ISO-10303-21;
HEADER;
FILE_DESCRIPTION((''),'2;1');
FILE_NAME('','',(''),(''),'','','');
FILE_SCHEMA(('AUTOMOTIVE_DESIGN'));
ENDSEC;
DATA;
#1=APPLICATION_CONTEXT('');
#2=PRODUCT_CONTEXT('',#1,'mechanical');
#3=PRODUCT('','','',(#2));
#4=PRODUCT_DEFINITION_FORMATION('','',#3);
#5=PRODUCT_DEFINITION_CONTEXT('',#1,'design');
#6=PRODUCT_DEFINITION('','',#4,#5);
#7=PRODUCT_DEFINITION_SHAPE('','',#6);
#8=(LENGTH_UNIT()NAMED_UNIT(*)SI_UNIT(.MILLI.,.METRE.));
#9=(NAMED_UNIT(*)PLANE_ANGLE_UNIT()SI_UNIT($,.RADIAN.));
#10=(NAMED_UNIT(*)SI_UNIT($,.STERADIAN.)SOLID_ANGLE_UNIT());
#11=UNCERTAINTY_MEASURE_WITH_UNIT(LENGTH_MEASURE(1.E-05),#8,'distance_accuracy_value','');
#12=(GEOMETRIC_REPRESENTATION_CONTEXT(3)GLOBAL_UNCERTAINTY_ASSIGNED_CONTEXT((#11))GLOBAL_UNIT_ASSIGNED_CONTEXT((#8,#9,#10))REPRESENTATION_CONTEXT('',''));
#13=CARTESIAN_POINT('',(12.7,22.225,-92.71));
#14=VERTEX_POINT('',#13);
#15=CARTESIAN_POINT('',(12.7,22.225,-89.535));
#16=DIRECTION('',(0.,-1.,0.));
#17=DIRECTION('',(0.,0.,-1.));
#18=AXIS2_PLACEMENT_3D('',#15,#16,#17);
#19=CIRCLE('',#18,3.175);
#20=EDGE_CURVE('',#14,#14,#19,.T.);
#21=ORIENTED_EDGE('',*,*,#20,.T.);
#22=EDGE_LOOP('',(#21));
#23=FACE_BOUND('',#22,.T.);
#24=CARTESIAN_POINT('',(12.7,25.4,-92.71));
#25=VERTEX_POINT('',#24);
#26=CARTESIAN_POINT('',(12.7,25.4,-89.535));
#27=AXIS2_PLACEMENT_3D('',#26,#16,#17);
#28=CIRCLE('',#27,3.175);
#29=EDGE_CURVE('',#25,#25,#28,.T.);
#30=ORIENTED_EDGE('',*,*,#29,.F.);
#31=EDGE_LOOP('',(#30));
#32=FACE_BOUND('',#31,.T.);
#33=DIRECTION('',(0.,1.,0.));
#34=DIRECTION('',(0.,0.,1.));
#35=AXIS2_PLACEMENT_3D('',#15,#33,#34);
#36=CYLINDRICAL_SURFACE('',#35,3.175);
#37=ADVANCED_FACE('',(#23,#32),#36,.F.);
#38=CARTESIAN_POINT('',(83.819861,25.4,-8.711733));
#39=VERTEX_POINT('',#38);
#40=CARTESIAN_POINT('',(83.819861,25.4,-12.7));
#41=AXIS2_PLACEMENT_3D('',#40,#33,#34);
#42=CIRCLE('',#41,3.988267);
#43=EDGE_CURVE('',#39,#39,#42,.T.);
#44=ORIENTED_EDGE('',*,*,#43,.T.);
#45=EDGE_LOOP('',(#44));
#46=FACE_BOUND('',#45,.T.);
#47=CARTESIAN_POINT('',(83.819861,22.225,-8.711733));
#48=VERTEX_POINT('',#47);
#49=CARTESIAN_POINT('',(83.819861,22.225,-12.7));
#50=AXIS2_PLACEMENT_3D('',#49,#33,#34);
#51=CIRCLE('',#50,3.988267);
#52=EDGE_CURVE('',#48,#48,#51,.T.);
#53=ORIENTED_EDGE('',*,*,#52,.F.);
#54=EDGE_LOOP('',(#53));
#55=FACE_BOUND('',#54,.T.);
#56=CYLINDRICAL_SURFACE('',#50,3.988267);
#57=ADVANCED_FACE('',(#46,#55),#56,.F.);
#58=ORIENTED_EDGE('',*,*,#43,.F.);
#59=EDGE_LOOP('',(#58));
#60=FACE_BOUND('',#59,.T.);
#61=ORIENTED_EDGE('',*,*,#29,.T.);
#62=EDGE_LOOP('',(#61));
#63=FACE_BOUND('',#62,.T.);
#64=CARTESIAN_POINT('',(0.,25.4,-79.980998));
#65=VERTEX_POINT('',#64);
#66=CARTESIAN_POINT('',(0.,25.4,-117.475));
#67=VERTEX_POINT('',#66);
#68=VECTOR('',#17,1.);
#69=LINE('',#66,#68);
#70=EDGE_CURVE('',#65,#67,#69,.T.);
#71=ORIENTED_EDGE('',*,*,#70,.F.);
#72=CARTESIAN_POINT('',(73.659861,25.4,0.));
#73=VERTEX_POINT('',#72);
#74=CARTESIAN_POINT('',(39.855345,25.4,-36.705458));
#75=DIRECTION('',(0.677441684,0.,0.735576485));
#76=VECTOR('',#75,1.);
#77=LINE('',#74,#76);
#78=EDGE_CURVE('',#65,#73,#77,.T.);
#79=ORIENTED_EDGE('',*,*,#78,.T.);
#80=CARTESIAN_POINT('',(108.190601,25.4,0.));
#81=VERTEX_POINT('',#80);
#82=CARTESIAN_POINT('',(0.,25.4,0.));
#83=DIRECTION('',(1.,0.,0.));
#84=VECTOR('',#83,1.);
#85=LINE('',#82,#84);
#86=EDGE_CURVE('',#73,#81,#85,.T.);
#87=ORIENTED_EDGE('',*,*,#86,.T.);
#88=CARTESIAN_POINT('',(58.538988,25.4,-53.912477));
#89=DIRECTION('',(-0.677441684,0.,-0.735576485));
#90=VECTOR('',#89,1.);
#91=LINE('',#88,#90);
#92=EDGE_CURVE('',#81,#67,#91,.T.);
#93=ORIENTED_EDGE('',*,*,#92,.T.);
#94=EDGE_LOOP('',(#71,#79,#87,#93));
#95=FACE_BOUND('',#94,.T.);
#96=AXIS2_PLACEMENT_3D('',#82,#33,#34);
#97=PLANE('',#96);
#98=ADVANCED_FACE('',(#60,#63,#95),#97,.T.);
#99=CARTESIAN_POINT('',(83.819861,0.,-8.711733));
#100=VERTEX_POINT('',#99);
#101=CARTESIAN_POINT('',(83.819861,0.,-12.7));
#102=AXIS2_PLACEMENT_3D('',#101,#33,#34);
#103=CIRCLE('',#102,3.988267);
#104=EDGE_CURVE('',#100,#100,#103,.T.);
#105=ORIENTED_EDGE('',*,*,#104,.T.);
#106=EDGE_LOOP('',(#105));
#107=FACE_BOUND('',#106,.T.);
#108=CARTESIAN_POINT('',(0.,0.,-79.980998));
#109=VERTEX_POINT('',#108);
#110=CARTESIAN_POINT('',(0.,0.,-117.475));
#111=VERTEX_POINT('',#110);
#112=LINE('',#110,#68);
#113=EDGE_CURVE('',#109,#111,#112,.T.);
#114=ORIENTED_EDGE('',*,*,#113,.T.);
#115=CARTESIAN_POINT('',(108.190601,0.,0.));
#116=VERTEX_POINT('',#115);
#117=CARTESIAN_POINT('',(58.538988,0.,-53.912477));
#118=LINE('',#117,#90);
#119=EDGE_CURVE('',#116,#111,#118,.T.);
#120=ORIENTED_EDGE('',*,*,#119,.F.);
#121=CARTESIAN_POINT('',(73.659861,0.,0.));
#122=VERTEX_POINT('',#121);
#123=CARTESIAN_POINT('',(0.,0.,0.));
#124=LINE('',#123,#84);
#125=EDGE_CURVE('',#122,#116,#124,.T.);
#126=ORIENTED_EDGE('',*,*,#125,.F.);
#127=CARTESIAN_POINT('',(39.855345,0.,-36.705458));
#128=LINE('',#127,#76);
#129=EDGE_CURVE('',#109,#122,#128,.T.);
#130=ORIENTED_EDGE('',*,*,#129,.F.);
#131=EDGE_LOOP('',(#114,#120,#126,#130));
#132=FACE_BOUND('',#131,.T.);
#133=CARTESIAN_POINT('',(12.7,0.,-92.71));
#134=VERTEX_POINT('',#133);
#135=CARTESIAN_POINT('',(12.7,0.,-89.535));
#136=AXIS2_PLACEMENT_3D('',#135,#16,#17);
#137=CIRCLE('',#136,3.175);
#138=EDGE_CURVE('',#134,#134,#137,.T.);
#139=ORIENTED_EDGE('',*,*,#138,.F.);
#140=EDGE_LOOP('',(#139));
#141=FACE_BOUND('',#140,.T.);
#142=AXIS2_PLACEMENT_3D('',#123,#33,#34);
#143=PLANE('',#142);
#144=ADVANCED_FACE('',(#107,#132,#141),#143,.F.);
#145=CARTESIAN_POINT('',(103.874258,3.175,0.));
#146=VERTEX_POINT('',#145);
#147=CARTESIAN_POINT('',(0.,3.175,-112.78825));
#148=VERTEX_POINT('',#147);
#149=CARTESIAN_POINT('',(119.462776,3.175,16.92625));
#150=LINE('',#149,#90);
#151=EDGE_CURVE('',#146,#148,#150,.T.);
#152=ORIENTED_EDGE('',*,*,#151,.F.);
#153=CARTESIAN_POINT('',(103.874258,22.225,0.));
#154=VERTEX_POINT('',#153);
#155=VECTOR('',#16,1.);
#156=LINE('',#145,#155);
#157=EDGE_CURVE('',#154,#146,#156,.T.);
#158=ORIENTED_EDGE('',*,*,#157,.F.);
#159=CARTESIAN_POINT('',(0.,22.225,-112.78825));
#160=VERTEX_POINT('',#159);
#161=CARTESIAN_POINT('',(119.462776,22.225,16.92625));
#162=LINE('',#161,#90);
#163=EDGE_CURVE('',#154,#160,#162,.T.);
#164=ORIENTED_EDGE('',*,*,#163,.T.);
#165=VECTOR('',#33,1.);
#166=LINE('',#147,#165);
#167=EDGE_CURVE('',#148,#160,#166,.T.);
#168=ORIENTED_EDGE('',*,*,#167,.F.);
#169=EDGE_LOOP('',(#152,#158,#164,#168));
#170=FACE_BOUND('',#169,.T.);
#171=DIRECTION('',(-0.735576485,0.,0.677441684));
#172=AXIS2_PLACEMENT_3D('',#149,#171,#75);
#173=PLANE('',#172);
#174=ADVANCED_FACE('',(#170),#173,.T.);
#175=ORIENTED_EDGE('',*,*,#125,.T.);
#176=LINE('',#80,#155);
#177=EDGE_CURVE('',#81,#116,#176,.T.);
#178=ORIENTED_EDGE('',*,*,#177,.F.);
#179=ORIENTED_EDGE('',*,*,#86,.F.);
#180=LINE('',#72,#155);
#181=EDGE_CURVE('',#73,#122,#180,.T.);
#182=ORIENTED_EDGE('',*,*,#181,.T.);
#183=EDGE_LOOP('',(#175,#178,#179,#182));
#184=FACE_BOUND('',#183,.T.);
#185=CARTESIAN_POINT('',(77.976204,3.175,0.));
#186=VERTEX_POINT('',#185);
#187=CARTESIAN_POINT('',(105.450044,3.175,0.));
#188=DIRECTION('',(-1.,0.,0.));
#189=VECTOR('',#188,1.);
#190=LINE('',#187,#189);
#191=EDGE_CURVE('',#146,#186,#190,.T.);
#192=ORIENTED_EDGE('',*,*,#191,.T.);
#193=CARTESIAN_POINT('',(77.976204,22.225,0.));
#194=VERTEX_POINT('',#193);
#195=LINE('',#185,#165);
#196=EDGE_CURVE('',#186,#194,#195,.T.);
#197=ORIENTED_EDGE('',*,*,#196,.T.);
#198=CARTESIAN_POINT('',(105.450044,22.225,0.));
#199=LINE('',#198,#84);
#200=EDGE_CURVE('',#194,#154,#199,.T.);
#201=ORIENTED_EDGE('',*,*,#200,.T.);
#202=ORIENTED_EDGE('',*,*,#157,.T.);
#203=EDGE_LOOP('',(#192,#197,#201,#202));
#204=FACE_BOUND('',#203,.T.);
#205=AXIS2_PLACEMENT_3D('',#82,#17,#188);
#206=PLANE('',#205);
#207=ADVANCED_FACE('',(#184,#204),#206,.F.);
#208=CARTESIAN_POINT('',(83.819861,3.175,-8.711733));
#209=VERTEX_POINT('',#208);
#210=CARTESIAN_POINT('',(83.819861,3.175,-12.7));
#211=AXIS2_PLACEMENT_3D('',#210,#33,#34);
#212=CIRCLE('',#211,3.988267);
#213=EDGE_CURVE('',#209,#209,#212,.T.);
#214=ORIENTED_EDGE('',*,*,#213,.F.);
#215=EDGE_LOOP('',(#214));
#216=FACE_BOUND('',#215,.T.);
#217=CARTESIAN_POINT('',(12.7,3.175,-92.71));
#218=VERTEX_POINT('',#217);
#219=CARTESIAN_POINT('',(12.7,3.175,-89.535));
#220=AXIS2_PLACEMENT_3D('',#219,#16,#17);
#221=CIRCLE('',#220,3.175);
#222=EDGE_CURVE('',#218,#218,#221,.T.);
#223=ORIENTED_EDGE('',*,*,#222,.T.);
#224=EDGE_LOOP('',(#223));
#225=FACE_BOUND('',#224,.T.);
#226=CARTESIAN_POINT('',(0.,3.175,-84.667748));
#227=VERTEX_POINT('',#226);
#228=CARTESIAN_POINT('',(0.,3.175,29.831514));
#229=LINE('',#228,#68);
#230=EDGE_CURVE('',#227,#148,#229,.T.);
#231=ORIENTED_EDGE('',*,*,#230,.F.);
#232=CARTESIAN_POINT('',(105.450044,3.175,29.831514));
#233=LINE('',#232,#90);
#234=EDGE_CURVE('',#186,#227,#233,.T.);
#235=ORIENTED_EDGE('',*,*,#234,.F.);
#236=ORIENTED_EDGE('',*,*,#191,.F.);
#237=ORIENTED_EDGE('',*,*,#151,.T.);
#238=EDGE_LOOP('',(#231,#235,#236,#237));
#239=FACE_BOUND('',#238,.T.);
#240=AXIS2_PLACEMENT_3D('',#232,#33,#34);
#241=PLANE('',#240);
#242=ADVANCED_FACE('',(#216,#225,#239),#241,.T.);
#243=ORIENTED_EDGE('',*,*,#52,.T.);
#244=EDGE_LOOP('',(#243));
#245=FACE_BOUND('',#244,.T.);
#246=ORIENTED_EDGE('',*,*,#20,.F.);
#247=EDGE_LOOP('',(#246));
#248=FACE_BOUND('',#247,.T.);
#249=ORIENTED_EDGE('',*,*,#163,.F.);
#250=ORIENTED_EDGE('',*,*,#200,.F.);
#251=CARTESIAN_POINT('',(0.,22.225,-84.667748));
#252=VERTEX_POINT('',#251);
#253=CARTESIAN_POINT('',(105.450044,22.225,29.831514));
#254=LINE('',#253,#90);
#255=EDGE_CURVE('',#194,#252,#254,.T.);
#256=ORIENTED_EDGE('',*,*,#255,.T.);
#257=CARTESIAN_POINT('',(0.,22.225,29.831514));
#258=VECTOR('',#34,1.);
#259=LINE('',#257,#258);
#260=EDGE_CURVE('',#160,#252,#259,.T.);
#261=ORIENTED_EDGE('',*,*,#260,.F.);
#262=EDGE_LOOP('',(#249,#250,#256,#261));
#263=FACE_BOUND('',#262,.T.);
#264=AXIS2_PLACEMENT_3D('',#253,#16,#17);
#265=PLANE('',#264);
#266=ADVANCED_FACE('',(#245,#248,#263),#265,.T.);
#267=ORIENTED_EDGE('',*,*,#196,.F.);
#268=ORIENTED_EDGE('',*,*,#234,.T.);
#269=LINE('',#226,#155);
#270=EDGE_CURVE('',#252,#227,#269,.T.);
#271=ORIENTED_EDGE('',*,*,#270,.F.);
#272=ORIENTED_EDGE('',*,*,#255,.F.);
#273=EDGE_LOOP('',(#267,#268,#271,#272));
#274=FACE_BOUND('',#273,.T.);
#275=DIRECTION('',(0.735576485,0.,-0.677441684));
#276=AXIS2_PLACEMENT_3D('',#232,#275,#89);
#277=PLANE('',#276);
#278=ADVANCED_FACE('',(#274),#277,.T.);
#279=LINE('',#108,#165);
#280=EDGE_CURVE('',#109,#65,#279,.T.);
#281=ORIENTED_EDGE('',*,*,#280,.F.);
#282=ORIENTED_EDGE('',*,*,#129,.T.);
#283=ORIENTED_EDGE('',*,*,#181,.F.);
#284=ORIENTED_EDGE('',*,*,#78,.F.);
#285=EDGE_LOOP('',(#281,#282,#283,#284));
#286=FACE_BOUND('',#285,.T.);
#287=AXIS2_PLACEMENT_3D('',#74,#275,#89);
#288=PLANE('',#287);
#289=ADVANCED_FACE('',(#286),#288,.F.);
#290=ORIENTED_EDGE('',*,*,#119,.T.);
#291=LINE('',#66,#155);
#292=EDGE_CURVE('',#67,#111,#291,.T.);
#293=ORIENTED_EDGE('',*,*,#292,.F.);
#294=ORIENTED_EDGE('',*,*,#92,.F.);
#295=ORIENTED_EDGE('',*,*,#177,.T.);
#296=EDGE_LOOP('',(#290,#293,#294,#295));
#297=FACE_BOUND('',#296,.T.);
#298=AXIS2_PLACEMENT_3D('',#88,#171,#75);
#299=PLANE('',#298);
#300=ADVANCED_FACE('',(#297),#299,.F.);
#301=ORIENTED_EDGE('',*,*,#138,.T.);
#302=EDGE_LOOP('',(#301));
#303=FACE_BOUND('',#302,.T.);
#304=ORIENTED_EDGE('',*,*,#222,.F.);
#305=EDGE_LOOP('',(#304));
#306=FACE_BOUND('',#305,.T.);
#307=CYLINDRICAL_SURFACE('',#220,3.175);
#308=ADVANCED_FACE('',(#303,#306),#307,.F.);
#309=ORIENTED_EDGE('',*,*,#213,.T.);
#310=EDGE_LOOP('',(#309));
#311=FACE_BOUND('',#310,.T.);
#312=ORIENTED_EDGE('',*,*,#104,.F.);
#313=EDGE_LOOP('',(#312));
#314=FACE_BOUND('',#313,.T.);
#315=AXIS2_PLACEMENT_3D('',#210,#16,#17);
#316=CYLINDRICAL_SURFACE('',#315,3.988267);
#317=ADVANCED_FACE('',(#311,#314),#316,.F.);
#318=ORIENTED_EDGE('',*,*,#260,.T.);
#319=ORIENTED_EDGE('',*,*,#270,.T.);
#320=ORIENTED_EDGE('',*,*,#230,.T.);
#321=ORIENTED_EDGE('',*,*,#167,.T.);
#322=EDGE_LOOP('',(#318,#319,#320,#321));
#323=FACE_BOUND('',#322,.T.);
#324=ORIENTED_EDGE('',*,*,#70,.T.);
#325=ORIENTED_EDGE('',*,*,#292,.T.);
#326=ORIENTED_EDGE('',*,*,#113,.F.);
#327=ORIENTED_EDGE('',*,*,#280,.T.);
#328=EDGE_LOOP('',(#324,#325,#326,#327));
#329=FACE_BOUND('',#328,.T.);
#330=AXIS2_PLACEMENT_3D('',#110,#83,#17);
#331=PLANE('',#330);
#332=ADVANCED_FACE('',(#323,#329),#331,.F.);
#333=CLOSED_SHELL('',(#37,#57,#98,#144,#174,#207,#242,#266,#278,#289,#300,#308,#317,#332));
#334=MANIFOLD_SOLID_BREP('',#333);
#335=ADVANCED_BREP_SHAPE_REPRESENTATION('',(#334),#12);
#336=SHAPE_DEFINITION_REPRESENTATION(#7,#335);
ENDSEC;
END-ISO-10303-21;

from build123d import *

# Parameters (mm, degrees)
BOSS_EXTRUDE3_DEPTH = 25.4
CUT_EXTRUDE4_REACH  = 182.233
SKETCH2_W           = 19.05
SKETCH2_H           = 19.05
CUT_EXTRUDE5_DEPTH  = 25.4
SKETCH4_R           = 3.988266949
CUT_EXTRUDE6_DEPTH  = 3.175
SKETCH5_R           = 3.175
CUT_EXTRUDE7_DEPTH  = 3.175


with BuildPart() as part:
    # Sketch1 → Boss-Extrude3 (new body)
    with BuildSketch(Plane(origin=(0, 0, 0), x_dir=(1, 0, 0), z_dir=(0, 1, 0))):
        Polygon((73.659861316, 0), (108.190600856, 0), (0, 117.475), (-18.683642708, 100.267981224), align=None)
    extrude(amount=BOSS_EXTRUDE3_DEPTH)

    # Cut-Extrude4: up to this plane
    cut_extrude4_end = Plane(origin=(0, 25.4, 0), z_dir=(0, 0, -1))
    # Sketch2 → Cut-Extrude4 (cut, up to the surface)
    with BuildSketch(Plane(origin=(-58.537665842, 0, -63.563740241), x_dir=(0.735576484560878, 0, -0.6774416841035549), z_dir=(0.6774416841035549, 0, 0.735576484560878)), mode=Mode.PRIVATE) as cut_extrude4_sk1:
        with Locations((66.880665058, 12.7)):
            Rectangle(SKETCH2_W, SKETCH2_H)
    cut_extrude4_tool1 = split(extrude(cut_extrude4_sk1.sketch, amount=CUT_EXTRUDE4_REACH, mode=Mode.PRIVATE), bisect_by=cut_extrude4_end, keep=Keep.BOTH, mode=Mode.PRIVATE)
    add(cut_extrude4_tool1.solids().sort_by_distance((-9.341821, 12.7, -108.871491))[0], mode=Mode.SUBTRACT)

    # Sketch3 → Cut-Extrude5 (cut)
    with BuildSketch(Plane(origin=(0, 25.4, 0), x_dir=(1, 0, 0), z_dir=(0, 1, 0))):
        Polygon((0, 117.475), (0, 79.980997791), (-18.683642708, 100.267981224), align=None)
        Polygon((108.190600856, 0), (73.659861316, 0), (89.250643344, -17.183967795), align=None)
    extrude(amount=-CUT_EXTRUDE5_DEPTH, mode=Mode.SUBTRACT)

    # Sketch4 → Cut-Extrude6 (cut)
    with BuildSketch(Plane(origin=(0, 25.4, 0), x_dir=(1, 0, 0), z_dir=(0, 1, 0))):
        with Locations(Location((83.819861316, 12.7, 0), (0, 0, 270))):
            Circle(SKETCH4_R)
    cut_extrude6 = extrude(amount=-CUT_EXTRUDE6_DEPTH, mode=Mode.SUBTRACT)

    # Mirror1: Cut-Extrude6 across plane
    add(cut_extrude6.mirror(Plane.ZX.offset(12.7)), mode=Mode.SUBTRACT)

    # Sketch5 → Cut-Extrude7 (cut)
    with BuildSketch(Plane.XZ):
        with Locations(Location((12.7, -89.535, 0), (0, 0, 270))):
            Circle(SKETCH5_R)
    cut_extrude7 = extrude(amount=-CUT_EXTRUDE7_DEPTH, mode=Mode.SUBTRACT)

    # Mirror2: Cut-Extrude7 across plane
    add(cut_extrude7.mirror(Plane.ZX.offset(12.7)), mode=Mode.SUBTRACT)


solid = part.part
